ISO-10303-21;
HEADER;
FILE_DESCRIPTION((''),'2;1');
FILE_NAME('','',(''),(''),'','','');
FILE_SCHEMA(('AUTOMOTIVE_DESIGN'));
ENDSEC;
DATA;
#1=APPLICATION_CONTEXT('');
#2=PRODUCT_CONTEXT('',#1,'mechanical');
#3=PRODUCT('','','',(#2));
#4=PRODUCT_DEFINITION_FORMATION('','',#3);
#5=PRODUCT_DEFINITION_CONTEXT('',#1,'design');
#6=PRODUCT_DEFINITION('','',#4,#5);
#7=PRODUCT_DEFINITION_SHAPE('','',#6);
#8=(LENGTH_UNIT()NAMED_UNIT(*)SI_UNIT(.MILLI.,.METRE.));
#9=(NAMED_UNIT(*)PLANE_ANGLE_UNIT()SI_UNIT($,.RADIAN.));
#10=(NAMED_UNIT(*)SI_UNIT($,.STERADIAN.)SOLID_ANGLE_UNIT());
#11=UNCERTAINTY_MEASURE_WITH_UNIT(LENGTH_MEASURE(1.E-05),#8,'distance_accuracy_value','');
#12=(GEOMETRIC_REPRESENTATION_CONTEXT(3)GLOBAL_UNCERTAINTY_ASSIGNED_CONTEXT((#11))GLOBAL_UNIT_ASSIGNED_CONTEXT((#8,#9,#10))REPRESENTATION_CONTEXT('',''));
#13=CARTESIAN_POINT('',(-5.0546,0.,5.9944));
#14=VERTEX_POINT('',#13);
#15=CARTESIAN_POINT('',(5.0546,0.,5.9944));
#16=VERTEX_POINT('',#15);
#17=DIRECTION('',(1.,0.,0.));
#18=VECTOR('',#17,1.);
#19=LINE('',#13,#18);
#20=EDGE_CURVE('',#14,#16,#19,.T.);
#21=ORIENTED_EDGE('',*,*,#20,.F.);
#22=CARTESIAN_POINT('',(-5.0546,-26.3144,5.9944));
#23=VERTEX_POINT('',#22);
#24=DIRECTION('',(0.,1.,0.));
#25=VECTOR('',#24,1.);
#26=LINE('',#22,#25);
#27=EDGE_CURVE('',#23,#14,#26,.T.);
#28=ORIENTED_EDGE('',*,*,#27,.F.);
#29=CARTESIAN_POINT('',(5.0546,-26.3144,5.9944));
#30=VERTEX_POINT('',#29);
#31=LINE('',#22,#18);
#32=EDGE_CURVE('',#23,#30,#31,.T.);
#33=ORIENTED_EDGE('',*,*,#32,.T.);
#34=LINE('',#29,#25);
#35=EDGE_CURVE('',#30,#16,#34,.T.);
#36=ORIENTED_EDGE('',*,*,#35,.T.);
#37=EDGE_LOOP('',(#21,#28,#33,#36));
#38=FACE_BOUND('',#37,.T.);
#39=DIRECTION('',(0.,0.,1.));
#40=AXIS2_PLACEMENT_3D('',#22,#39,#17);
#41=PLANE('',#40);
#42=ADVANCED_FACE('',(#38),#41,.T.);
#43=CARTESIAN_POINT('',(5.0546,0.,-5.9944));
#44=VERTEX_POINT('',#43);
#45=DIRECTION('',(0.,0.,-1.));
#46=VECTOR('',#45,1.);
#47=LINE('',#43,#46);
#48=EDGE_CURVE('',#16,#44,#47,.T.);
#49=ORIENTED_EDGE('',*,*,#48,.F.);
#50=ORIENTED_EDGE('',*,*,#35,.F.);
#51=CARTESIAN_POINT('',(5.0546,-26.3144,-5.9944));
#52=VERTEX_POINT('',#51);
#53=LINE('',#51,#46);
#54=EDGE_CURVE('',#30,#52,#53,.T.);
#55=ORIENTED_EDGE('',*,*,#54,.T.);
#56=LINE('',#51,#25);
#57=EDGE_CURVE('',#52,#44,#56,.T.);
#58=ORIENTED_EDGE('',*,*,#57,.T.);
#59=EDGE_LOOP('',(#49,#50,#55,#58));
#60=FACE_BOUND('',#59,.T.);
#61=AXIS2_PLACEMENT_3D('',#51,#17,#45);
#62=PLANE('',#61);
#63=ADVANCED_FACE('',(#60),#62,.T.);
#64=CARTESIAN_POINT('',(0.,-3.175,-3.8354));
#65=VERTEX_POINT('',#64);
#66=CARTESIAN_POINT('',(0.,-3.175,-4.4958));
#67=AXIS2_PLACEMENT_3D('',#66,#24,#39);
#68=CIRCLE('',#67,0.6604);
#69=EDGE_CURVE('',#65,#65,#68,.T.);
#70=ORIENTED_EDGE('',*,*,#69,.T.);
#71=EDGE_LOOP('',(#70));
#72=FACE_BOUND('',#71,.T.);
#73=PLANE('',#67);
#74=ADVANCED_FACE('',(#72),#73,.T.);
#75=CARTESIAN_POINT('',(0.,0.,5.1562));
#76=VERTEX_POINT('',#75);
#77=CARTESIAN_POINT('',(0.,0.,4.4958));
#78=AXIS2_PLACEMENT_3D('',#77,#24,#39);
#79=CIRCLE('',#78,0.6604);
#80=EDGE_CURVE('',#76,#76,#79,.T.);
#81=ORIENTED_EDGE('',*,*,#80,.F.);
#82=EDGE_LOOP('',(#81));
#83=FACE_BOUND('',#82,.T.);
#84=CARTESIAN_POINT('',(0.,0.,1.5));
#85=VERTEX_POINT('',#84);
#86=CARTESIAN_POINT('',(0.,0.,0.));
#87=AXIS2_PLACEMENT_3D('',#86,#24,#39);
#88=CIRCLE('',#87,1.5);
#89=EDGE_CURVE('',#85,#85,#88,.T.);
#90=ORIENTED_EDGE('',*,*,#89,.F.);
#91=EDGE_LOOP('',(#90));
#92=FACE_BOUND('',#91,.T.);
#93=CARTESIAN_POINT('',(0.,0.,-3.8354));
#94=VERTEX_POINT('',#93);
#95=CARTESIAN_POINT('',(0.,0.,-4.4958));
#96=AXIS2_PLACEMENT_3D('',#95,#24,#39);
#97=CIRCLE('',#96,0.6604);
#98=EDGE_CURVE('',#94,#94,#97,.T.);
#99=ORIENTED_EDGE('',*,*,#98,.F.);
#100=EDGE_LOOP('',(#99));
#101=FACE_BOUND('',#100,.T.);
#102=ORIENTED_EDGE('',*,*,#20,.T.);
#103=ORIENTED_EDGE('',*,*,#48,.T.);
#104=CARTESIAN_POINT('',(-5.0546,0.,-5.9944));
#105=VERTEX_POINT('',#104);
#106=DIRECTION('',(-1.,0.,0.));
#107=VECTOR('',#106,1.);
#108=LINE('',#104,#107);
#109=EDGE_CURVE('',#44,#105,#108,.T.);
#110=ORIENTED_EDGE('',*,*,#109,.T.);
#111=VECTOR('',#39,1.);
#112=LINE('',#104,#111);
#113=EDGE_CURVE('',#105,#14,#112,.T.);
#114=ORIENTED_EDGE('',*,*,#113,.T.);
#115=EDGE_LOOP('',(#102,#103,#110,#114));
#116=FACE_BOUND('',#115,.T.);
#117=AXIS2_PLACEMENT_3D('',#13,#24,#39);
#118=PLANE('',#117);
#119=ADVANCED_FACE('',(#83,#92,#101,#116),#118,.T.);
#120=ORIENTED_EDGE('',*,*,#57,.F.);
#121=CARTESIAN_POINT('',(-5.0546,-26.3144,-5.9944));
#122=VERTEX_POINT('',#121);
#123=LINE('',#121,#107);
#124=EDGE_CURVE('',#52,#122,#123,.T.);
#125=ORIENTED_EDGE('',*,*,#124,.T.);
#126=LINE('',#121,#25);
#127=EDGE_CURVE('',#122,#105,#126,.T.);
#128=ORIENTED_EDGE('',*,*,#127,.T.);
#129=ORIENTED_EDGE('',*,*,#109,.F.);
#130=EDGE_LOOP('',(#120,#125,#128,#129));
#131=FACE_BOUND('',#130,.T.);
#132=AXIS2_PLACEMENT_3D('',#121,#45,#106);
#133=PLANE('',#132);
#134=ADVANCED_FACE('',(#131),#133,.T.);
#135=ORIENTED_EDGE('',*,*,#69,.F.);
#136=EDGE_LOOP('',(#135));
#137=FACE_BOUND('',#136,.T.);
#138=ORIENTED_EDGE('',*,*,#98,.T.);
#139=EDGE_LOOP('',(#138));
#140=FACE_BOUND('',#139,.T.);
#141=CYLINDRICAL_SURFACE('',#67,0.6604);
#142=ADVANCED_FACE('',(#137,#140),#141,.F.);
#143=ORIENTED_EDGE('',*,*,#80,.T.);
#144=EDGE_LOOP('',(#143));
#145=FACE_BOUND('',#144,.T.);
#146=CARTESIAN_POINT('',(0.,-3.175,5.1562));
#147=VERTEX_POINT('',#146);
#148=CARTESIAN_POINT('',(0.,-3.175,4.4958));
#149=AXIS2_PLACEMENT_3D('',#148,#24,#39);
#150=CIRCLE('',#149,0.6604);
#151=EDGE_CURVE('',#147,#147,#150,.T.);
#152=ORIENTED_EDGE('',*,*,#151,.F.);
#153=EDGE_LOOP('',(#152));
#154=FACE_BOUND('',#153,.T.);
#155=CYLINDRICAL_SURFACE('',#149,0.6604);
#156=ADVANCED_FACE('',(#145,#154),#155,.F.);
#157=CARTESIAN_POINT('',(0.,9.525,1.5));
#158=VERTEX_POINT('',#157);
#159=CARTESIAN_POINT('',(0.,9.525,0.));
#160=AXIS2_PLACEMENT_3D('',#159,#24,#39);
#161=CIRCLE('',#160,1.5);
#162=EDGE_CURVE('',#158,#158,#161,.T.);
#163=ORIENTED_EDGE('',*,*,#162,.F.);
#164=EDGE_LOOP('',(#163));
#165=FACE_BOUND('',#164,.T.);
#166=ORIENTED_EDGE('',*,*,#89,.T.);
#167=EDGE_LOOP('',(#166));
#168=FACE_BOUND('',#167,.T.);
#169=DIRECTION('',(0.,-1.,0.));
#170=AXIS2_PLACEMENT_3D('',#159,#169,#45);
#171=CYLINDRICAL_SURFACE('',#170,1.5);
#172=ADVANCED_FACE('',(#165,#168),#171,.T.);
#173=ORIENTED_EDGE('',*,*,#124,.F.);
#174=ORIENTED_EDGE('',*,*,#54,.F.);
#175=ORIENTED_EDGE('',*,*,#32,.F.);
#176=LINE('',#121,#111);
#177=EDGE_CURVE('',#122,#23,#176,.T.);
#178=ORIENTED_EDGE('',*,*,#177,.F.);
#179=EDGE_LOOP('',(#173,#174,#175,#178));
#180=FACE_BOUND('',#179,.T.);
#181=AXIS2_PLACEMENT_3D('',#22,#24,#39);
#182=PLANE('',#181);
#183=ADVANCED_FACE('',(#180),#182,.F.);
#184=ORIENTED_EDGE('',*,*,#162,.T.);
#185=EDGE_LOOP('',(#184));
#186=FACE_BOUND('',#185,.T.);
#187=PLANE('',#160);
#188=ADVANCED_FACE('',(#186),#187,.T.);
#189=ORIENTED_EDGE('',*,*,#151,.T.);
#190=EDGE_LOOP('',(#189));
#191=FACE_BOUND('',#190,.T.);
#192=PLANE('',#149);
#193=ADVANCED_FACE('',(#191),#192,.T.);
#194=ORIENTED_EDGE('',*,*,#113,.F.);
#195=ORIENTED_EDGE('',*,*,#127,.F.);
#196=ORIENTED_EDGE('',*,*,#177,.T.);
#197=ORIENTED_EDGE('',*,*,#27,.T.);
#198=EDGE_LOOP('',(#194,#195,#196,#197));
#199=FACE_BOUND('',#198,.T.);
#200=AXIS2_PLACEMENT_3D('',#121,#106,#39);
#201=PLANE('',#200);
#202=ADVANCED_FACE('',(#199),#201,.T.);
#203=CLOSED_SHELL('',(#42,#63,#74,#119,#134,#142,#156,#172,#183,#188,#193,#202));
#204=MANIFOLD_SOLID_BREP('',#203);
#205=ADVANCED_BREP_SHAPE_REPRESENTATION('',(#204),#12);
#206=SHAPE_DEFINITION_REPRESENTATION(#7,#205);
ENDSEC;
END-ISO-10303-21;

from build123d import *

# Parameters (mm, degrees)
SKETCH1_W          = 10.1092
SKETCH1_H          = 11.9888
EXTRUDE1_DEPTH     = 26.3144
SKETCH2_R          = 1.5
EXTRUDE2_DEPTH     = 9.525
SKETCH3_R          = 0.6604
CUT_EXTRUDE1_DEPTH = 3.175


with BuildPart() as part:
    # Sketch1 → Extrude1 (new body)
    with BuildSketch(Plane(origin=(0, 0, 0), x_dir=(1, 0, 0), z_dir=(0, 1, 0))):
        Rectangle(SKETCH1_W, SKETCH1_H)
    extrude(amount=-EXTRUDE1_DEPTH)

    # Sketch2 → Extrude2 (add)
    with BuildSketch(Plane(origin=(0, 0, 0), x_dir=(-1, 0, 0), z_dir=(0, 1, 0))):
        Circle(SKETCH2_R)
    extrude(amount=EXTRUDE2_DEPTH)

    # Sketch3 → Cut-Extrude1 (cut)
    with BuildSketch(Plane(origin=(0, 0, 0), x_dir=(-1, 0, 0), z_dir=(0, 1, 0))):
        with Locations((0, 4.4958)):
            Circle(SKETCH3_R)
        with Locations((0, -4.4958)):
            Circle(SKETCH3_R)
    extrude(amount=-CUT_EXTRUDE1_DEPTH, mode=Mode.SUBTRACT)


solid = part.part
